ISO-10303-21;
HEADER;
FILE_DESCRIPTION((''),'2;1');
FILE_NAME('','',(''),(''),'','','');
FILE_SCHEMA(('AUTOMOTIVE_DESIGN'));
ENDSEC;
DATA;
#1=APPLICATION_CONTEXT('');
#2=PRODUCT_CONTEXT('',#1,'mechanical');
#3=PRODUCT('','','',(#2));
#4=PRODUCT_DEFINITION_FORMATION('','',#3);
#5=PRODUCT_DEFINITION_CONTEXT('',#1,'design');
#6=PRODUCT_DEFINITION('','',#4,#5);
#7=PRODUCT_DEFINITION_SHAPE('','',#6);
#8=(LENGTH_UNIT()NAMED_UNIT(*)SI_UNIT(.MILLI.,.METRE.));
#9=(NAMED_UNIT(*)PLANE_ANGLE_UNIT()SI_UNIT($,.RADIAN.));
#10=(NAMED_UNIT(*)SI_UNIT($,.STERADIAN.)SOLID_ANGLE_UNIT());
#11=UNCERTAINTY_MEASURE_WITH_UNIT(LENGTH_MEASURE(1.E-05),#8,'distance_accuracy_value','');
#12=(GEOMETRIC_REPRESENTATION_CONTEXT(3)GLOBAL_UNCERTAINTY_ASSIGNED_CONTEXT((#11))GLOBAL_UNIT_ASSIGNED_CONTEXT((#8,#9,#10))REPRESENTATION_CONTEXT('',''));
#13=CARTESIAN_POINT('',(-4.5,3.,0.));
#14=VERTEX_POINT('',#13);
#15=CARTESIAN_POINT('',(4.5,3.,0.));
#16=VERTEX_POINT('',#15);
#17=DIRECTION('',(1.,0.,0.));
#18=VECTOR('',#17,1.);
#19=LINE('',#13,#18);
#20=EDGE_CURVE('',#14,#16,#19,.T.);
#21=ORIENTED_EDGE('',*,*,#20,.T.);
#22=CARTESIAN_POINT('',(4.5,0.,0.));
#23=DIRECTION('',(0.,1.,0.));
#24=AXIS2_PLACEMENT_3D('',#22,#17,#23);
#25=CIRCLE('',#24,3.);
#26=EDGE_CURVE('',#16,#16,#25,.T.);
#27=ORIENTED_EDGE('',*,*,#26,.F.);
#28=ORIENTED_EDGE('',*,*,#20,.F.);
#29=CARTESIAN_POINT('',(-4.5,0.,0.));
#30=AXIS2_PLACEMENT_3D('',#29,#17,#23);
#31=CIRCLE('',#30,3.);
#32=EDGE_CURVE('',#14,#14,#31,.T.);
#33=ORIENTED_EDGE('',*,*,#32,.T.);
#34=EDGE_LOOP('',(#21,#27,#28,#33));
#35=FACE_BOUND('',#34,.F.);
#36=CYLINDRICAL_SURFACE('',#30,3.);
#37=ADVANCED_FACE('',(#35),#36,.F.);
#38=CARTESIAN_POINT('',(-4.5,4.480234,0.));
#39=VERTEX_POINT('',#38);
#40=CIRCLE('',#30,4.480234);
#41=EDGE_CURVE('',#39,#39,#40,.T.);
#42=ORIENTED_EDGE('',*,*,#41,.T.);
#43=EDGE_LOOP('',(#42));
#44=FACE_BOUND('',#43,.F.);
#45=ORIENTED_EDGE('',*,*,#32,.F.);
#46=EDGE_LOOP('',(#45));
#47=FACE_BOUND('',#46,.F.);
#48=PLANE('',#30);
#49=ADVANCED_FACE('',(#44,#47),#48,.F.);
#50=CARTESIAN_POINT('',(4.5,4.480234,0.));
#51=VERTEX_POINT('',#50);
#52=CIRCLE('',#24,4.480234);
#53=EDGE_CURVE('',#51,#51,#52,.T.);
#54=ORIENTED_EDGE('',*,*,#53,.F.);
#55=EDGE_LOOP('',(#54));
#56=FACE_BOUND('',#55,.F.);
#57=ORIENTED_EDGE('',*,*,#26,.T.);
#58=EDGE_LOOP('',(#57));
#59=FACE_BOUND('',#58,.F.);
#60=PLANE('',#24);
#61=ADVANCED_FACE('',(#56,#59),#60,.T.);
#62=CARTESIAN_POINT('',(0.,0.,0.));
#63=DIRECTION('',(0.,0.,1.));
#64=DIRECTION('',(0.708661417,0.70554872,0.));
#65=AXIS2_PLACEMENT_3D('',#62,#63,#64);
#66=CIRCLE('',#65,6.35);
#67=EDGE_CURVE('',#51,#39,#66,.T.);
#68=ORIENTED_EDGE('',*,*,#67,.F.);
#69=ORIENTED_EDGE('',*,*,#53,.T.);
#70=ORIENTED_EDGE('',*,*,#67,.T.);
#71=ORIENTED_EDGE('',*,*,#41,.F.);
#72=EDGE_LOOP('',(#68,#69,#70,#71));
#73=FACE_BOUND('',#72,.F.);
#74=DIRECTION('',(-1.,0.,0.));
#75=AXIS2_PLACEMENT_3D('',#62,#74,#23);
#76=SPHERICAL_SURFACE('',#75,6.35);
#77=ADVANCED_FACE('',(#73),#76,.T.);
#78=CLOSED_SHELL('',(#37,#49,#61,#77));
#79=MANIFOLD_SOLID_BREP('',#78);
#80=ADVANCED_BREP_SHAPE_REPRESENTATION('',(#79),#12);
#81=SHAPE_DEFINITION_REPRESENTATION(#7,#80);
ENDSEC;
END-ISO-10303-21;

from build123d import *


with BuildPart() as part:
    # Sketch1 → Revolve1 (revolve)
    with BuildSketch(Plane.XY):
        with BuildLine():
            Line((4.5, 3), (4.5, 4.480234369))
            ThreePointArc((4.5, 4.480234369), (0, 6.35), (-4.5, 4.480234369))
            Line((-4.5, 4.480234369), (-4.5, 3))
            Line((-4.5, 3), (4.5, 3))
        make_face()
    revolve(axis=Axis((0, 0, 0), (1, 0, 0)))


solid = part.part
